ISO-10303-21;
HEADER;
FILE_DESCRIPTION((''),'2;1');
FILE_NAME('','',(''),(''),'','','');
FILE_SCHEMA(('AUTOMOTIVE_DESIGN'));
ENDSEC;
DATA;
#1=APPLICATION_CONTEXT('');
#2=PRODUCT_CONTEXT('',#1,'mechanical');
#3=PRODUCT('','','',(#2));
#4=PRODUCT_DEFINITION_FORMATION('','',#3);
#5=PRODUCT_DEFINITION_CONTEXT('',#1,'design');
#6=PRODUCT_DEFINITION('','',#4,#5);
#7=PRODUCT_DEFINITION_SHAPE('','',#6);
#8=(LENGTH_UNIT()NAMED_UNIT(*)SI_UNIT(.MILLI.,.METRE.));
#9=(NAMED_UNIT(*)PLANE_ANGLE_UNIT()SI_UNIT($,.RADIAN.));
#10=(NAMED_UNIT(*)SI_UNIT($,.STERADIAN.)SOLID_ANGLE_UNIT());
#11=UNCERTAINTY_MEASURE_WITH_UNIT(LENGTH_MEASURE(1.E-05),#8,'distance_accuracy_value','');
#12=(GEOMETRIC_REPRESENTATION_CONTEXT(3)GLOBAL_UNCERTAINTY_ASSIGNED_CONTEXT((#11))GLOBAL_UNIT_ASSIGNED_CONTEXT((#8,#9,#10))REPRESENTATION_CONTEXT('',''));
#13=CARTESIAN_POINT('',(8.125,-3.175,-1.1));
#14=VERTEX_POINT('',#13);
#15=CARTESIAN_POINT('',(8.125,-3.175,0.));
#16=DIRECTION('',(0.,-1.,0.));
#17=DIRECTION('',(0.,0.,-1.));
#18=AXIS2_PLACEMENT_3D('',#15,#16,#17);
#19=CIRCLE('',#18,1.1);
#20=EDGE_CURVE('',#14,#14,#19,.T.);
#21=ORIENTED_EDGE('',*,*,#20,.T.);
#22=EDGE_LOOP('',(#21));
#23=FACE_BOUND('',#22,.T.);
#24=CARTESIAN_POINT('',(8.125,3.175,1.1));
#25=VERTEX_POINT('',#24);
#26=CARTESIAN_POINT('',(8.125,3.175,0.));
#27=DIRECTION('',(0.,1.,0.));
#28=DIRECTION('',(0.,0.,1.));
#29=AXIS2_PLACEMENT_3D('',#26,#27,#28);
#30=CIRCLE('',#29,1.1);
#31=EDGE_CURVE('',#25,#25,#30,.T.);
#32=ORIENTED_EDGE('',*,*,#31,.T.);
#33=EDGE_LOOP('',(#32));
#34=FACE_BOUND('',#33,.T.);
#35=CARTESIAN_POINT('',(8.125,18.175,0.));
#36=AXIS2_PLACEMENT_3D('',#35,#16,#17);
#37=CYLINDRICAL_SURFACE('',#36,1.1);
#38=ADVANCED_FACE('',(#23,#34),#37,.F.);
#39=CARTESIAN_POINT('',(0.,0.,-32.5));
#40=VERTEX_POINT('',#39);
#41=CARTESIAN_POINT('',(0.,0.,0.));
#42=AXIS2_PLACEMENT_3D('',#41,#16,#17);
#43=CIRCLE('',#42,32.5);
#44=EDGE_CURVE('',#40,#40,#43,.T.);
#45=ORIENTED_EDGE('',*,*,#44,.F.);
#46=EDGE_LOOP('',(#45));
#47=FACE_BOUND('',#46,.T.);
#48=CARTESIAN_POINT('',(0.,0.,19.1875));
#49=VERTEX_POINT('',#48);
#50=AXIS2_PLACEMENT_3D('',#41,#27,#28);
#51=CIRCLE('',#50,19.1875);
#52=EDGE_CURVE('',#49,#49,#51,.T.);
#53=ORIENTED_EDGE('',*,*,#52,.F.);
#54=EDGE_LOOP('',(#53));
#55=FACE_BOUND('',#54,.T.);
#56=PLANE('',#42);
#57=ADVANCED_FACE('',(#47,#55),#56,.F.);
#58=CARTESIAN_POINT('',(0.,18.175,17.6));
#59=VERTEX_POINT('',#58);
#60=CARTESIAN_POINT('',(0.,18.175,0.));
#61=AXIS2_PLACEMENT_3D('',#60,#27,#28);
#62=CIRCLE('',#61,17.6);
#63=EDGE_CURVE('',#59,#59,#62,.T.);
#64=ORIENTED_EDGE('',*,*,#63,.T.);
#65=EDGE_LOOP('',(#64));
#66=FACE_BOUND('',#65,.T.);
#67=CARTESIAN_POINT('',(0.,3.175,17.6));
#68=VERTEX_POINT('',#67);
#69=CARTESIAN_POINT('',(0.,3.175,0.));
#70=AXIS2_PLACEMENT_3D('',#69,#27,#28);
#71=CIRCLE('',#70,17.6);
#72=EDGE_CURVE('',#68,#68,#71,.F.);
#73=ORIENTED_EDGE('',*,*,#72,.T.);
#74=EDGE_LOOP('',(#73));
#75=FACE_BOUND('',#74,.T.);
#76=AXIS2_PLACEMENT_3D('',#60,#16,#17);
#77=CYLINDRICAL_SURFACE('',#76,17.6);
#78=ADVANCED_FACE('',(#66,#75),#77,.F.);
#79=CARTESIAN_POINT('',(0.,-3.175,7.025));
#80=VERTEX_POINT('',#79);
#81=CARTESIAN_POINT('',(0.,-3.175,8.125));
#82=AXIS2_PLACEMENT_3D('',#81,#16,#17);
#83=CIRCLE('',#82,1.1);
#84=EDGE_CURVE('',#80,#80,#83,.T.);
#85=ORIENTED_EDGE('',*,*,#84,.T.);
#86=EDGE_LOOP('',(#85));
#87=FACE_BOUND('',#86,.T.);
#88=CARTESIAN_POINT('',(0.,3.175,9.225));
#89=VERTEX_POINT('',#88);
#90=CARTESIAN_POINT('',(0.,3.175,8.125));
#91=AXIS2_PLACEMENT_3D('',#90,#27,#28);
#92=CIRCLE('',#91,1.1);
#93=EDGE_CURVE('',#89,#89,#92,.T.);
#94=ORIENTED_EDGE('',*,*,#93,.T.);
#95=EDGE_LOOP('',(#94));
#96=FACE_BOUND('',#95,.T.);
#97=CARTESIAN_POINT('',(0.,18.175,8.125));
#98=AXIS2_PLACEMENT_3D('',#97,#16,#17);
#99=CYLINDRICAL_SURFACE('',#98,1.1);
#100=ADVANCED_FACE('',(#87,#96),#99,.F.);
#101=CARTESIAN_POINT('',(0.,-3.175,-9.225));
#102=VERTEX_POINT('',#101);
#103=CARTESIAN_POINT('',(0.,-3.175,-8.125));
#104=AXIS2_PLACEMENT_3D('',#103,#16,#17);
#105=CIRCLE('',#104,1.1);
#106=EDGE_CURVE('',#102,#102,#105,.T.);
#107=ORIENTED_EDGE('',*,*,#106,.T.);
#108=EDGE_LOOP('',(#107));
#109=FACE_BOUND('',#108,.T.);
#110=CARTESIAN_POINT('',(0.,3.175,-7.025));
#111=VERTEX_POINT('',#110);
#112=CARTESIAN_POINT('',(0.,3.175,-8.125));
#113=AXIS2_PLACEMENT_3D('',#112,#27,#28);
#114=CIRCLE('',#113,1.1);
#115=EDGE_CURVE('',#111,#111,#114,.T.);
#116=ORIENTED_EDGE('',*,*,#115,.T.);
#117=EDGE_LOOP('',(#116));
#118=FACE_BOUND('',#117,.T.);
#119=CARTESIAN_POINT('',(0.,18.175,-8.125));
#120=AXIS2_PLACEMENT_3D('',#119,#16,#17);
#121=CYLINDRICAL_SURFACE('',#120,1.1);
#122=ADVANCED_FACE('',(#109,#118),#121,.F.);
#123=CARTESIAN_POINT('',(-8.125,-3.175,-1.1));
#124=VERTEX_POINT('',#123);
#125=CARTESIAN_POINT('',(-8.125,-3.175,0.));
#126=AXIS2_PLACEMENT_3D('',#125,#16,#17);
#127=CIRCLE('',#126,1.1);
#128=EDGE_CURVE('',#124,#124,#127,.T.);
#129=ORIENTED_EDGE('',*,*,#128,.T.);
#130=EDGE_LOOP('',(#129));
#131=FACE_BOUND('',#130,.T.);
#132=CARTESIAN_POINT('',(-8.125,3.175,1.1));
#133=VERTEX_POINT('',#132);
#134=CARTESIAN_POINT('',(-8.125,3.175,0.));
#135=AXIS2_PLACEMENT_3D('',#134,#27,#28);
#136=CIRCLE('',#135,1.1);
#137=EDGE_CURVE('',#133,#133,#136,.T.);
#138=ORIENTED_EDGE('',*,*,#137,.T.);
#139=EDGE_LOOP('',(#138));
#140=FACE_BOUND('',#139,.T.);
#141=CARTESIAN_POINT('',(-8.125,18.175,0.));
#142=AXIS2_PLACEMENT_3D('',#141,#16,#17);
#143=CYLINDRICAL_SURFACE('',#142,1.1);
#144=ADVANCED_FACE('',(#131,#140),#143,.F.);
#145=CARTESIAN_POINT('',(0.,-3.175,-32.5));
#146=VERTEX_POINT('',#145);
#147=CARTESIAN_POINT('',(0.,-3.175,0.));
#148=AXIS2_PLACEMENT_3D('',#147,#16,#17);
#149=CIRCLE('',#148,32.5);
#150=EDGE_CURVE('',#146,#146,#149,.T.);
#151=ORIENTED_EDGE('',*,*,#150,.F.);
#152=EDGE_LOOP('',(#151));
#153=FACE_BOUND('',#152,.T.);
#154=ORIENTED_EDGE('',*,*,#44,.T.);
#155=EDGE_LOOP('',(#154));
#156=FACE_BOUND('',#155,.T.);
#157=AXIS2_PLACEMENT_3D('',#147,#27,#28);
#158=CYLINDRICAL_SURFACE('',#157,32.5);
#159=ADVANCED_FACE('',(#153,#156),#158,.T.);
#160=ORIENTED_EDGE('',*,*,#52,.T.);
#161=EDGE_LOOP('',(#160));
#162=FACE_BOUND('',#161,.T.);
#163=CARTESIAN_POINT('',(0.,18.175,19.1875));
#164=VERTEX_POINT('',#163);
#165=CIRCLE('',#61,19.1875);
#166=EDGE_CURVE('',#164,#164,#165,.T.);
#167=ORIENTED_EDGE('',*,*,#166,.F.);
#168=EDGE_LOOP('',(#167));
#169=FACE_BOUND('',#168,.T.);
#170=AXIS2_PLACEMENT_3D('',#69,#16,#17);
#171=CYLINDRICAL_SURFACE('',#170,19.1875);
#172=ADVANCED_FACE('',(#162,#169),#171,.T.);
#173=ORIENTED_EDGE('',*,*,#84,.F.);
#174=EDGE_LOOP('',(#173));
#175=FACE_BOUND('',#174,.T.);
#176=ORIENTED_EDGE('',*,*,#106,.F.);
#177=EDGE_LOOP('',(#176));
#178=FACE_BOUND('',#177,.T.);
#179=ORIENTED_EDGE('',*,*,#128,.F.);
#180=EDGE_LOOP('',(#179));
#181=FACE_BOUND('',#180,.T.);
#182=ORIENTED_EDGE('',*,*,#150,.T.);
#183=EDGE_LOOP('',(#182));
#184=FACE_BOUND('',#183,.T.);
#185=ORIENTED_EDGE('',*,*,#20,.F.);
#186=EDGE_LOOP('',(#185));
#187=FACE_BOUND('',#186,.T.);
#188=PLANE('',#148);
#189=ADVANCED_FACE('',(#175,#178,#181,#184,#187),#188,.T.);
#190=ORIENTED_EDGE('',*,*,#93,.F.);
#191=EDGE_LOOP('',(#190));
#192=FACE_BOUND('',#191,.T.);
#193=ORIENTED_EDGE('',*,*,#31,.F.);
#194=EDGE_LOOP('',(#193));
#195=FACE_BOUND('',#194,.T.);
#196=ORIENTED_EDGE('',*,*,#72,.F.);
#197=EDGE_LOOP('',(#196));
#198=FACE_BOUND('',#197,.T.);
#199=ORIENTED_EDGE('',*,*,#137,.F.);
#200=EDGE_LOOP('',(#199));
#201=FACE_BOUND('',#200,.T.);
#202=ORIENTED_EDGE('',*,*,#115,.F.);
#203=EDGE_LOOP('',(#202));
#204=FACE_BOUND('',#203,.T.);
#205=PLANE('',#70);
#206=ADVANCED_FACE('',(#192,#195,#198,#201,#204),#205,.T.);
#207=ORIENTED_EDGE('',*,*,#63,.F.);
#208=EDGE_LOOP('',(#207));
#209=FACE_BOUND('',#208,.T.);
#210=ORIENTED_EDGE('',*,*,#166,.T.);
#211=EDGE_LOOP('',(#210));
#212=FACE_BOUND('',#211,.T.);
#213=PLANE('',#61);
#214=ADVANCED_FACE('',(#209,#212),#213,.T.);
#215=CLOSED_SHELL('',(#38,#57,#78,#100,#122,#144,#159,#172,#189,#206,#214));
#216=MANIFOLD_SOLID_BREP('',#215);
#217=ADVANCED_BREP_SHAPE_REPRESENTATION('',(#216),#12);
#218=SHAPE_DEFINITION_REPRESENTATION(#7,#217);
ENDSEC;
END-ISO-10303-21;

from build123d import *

# Parameters (mm, degrees)
SKETCH1_R           = 19.1875
BOSS_EXTRUDE1_DEPTH = 3.175
SKETCH2_R           = 19.1875
SKETCH2_R_2         = 17.6
BOSS_EXTRUDE2_DEPTH = 15
SKETCH3_R           = 1.1
CUT_EXTRUDE1_DEPTH  = 33.659622434
BOSS_EXTRUDE3_START = 3.175
SKETCH4_R           = 32.5
SKETCH4_R_2         = 1.1
BOSS_EXTRUDE3_DEPTH = 3.175


with BuildPart() as part:
    # Sketch1 → Boss-Extrude1 (new body)
    with BuildSketch(Plane(origin=(0, 0, 0), x_dir=(1, 0, 0), z_dir=(0, 1, 0))):
        with Locations(Location((0, 0, 0), (0, 0, 270))):
            Circle(SKETCH1_R)
    extrude(amount=BOSS_EXTRUDE1_DEPTH)

    # Sketch2 → Boss-Extrude2 (add)
    with BuildSketch(Plane(origin=(0, 3.175, 0), x_dir=(1, 0, 0), z_dir=(0, 1, 0))):
        with Locations(Location((0, 0, 0), (0, 0, 270))):
            Circle(SKETCH2_R)
        with Locations(Location((0, 0, 0), (0, 0, 270))):
            Circle(SKETCH2_R_2, mode=Mode.SUBTRACT)
    extrude(amount=BOSS_EXTRUDE2_DEPTH)

    # Sketch3 → Cut-Extrude1 (cut, through all)
    with BuildSketch(Plane.XZ):
        with Locations(Location((0, 8.125, 0), (0, 0, 270))):
            Circle(SKETCH3_R)
        with Locations(Location((8.125, 0, 0), (0, 0, 270))):
            Circle(SKETCH3_R)
        with Locations(Location((-8.125, 0, 0), (0, 0, 270))):
            Circle(SKETCH3_R)
        with Locations(Location((0, -8.125, 0), (0, 0, 270))):
            Circle(SKETCH3_R)
    extrude(amount=-CUT_EXTRUDE1_DEPTH, mode=Mode.SUBTRACT)

    # Sketch4 → Boss-Extrude3 (add)
    with BuildSketch(Plane.XZ.offset(BOSS_EXTRUDE3_START)):
        with Locations(Location((0, 0, 0), (0, 0, 270))):
            Circle(SKETCH4_R)
        with Locations(Location((0, -8.125, 0), (0, 0, 270))):
            Circle(SKETCH4_R_2, mode=Mode.SUBTRACT)
        with Locations(Location((8.125, 0, 0), (0, 0, 270))):
            Circle(SKETCH4_R_2, mode=Mode.SUBTRACT)
        with Locations(Location((-8.125, 0, 0), (0, 0, 270))):
            Circle(SKETCH4_R_2, mode=Mode.SUBTRACT)
        with Locations(Location((0, 8.125, 0), (0, 0, 270))):
            Circle(SKETCH4_R_2, mode=Mode.SUBTRACT)
    extrude(amount=-BOSS_EXTRUDE3_DEPTH)


solid = part.part
